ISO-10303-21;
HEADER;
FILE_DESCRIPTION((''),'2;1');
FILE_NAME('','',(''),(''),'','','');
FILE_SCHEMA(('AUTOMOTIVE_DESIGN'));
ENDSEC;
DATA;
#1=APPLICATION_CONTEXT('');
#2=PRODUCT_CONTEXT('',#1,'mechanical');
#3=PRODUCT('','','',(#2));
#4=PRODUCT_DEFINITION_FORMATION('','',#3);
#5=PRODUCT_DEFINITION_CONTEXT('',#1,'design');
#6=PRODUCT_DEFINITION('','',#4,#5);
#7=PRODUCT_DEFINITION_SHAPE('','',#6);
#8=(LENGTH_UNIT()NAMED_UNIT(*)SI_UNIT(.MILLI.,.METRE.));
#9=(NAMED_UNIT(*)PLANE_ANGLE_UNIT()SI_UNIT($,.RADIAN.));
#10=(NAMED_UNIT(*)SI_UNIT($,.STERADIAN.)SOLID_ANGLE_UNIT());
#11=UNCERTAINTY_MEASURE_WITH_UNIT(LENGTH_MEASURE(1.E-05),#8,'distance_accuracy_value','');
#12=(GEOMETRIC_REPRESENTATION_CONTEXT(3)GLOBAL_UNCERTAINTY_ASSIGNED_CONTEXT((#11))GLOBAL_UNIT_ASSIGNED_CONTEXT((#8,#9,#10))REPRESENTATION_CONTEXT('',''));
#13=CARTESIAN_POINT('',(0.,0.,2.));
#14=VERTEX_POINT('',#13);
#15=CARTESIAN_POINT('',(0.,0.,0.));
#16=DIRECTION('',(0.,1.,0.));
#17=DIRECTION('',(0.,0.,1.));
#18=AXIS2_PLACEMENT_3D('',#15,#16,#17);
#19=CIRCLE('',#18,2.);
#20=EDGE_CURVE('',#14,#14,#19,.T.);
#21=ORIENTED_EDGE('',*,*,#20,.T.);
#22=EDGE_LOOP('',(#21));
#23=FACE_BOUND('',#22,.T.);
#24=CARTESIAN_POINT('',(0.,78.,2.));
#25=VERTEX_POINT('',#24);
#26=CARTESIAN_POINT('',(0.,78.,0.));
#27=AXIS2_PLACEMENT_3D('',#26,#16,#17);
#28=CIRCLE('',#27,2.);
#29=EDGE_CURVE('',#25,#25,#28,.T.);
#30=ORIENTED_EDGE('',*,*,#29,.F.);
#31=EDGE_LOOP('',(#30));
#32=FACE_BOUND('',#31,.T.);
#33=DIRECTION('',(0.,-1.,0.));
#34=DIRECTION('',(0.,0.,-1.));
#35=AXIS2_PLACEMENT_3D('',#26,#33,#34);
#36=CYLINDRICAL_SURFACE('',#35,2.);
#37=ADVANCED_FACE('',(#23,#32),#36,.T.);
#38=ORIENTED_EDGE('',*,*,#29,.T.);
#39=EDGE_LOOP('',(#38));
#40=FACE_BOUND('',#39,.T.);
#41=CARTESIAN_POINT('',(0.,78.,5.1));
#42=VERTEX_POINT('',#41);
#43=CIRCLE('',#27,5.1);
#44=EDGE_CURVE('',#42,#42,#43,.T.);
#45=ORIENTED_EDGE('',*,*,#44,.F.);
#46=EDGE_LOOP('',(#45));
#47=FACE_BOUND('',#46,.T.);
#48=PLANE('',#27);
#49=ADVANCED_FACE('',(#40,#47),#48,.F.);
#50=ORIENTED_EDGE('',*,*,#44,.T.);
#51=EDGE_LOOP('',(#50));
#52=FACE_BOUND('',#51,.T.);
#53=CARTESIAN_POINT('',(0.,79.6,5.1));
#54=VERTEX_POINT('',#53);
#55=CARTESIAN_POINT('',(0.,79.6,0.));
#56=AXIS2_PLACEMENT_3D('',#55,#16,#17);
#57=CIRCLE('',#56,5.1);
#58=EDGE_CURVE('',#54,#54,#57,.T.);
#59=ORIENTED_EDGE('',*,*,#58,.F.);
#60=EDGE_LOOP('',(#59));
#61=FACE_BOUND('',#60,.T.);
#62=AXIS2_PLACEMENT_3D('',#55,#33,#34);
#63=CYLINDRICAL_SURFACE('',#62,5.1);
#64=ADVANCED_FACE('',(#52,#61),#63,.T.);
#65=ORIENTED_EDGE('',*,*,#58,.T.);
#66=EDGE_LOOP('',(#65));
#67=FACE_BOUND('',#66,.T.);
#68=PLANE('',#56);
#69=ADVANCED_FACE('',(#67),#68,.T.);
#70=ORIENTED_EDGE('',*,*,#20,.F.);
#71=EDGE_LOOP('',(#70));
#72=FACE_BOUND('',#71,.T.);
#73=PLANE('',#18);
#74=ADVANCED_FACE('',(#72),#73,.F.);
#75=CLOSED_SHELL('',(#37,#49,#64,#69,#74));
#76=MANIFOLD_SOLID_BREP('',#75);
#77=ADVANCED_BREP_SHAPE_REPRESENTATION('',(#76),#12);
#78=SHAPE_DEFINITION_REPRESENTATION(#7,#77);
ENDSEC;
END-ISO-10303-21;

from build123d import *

# Parameters (mm, degrees)
SKETCH1_R           = 2
BOSS_EXTRUDE1_DEPTH = 78
SKETCH2_R           = 5.1
BOSS_EXTRUDE2_DEPTH = 1.6


with BuildPart() as part:
    # Sketch1 → Boss-Extrude1 (new body)
    with BuildSketch(Plane(origin=(0, 0, 0), x_dir=(1, 0, 0), z_dir=(0, 1, 0))):
        Circle(SKETCH1_R)
    extrude(amount=BOSS_EXTRUDE1_DEPTH)

    # Sketch2 → Boss-Extrude2 (add)
    with BuildSketch(Plane(origin=(0, 78, 0), x_dir=(1, 0, 0), z_dir=(0, 1, 0))):
        Circle(SKETCH2_R)
    extrude(amount=BOSS_EXTRUDE2_DEPTH)


solid = part.part
